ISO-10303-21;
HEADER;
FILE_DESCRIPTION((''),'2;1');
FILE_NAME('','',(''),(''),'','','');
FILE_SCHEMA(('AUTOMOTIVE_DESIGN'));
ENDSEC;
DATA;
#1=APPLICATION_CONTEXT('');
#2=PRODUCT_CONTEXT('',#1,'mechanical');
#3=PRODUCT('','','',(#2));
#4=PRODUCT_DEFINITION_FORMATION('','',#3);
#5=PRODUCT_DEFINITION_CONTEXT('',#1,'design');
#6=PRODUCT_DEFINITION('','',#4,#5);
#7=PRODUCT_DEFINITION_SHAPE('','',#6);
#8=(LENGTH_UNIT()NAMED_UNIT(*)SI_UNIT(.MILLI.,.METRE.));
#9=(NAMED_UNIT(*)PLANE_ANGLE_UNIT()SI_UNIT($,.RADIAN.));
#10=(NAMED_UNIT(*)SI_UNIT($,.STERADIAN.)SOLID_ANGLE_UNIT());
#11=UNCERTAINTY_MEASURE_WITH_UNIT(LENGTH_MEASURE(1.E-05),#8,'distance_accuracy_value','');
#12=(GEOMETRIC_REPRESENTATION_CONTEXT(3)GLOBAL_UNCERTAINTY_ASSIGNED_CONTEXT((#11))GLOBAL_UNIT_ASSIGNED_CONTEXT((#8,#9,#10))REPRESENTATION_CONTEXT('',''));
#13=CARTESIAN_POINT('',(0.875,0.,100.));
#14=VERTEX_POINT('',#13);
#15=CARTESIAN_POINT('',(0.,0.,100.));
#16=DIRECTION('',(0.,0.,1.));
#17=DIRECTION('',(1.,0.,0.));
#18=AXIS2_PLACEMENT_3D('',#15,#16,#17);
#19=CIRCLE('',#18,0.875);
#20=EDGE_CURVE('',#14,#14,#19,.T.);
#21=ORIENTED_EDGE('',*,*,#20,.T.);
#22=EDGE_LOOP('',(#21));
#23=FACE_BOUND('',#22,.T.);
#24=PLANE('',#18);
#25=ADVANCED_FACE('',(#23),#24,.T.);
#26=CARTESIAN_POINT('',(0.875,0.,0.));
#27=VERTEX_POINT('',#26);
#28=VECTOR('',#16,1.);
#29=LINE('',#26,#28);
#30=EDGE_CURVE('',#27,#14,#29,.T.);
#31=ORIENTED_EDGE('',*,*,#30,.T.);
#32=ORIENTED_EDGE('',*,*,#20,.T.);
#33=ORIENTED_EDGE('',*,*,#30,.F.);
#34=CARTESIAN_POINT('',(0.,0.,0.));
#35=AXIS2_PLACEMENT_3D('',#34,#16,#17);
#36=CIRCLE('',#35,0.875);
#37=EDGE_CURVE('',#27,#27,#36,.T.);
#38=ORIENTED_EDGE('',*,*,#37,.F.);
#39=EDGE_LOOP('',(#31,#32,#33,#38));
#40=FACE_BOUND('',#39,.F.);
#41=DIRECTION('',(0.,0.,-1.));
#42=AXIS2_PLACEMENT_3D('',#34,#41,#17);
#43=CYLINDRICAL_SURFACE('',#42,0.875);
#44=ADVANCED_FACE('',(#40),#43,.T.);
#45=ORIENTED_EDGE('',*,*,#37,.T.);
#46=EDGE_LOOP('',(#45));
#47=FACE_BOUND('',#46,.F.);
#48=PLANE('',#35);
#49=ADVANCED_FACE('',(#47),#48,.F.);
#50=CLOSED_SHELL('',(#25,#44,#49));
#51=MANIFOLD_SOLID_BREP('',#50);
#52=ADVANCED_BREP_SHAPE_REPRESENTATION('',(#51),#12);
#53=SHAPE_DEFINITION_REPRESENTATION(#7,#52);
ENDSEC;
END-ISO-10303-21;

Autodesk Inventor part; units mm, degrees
ref_plane "YZ Plane" through (0, 0, 0) normal (1, 0, 0) x (0, 1, 0)
ref_plane "XZ Plane" through (0, 0, 0) normal (0, 1, 0) x (-1, 0, 0)
ref_plane "XY Plane" through (0, 0, 0) normal (0, 0, 1) x (1, 0, 0)
sketch "Sketch1" plane through (0, 0, 0) normal (0, 0, 1) x (1, 0, 0)
  circle A0 centre (0, 0) radius 0.875
  dimension "d0" = 1.75
extrude "Extrusion1" add sketch "Sketch1" along normal blind 100
properties part number "FilamentStrip"
